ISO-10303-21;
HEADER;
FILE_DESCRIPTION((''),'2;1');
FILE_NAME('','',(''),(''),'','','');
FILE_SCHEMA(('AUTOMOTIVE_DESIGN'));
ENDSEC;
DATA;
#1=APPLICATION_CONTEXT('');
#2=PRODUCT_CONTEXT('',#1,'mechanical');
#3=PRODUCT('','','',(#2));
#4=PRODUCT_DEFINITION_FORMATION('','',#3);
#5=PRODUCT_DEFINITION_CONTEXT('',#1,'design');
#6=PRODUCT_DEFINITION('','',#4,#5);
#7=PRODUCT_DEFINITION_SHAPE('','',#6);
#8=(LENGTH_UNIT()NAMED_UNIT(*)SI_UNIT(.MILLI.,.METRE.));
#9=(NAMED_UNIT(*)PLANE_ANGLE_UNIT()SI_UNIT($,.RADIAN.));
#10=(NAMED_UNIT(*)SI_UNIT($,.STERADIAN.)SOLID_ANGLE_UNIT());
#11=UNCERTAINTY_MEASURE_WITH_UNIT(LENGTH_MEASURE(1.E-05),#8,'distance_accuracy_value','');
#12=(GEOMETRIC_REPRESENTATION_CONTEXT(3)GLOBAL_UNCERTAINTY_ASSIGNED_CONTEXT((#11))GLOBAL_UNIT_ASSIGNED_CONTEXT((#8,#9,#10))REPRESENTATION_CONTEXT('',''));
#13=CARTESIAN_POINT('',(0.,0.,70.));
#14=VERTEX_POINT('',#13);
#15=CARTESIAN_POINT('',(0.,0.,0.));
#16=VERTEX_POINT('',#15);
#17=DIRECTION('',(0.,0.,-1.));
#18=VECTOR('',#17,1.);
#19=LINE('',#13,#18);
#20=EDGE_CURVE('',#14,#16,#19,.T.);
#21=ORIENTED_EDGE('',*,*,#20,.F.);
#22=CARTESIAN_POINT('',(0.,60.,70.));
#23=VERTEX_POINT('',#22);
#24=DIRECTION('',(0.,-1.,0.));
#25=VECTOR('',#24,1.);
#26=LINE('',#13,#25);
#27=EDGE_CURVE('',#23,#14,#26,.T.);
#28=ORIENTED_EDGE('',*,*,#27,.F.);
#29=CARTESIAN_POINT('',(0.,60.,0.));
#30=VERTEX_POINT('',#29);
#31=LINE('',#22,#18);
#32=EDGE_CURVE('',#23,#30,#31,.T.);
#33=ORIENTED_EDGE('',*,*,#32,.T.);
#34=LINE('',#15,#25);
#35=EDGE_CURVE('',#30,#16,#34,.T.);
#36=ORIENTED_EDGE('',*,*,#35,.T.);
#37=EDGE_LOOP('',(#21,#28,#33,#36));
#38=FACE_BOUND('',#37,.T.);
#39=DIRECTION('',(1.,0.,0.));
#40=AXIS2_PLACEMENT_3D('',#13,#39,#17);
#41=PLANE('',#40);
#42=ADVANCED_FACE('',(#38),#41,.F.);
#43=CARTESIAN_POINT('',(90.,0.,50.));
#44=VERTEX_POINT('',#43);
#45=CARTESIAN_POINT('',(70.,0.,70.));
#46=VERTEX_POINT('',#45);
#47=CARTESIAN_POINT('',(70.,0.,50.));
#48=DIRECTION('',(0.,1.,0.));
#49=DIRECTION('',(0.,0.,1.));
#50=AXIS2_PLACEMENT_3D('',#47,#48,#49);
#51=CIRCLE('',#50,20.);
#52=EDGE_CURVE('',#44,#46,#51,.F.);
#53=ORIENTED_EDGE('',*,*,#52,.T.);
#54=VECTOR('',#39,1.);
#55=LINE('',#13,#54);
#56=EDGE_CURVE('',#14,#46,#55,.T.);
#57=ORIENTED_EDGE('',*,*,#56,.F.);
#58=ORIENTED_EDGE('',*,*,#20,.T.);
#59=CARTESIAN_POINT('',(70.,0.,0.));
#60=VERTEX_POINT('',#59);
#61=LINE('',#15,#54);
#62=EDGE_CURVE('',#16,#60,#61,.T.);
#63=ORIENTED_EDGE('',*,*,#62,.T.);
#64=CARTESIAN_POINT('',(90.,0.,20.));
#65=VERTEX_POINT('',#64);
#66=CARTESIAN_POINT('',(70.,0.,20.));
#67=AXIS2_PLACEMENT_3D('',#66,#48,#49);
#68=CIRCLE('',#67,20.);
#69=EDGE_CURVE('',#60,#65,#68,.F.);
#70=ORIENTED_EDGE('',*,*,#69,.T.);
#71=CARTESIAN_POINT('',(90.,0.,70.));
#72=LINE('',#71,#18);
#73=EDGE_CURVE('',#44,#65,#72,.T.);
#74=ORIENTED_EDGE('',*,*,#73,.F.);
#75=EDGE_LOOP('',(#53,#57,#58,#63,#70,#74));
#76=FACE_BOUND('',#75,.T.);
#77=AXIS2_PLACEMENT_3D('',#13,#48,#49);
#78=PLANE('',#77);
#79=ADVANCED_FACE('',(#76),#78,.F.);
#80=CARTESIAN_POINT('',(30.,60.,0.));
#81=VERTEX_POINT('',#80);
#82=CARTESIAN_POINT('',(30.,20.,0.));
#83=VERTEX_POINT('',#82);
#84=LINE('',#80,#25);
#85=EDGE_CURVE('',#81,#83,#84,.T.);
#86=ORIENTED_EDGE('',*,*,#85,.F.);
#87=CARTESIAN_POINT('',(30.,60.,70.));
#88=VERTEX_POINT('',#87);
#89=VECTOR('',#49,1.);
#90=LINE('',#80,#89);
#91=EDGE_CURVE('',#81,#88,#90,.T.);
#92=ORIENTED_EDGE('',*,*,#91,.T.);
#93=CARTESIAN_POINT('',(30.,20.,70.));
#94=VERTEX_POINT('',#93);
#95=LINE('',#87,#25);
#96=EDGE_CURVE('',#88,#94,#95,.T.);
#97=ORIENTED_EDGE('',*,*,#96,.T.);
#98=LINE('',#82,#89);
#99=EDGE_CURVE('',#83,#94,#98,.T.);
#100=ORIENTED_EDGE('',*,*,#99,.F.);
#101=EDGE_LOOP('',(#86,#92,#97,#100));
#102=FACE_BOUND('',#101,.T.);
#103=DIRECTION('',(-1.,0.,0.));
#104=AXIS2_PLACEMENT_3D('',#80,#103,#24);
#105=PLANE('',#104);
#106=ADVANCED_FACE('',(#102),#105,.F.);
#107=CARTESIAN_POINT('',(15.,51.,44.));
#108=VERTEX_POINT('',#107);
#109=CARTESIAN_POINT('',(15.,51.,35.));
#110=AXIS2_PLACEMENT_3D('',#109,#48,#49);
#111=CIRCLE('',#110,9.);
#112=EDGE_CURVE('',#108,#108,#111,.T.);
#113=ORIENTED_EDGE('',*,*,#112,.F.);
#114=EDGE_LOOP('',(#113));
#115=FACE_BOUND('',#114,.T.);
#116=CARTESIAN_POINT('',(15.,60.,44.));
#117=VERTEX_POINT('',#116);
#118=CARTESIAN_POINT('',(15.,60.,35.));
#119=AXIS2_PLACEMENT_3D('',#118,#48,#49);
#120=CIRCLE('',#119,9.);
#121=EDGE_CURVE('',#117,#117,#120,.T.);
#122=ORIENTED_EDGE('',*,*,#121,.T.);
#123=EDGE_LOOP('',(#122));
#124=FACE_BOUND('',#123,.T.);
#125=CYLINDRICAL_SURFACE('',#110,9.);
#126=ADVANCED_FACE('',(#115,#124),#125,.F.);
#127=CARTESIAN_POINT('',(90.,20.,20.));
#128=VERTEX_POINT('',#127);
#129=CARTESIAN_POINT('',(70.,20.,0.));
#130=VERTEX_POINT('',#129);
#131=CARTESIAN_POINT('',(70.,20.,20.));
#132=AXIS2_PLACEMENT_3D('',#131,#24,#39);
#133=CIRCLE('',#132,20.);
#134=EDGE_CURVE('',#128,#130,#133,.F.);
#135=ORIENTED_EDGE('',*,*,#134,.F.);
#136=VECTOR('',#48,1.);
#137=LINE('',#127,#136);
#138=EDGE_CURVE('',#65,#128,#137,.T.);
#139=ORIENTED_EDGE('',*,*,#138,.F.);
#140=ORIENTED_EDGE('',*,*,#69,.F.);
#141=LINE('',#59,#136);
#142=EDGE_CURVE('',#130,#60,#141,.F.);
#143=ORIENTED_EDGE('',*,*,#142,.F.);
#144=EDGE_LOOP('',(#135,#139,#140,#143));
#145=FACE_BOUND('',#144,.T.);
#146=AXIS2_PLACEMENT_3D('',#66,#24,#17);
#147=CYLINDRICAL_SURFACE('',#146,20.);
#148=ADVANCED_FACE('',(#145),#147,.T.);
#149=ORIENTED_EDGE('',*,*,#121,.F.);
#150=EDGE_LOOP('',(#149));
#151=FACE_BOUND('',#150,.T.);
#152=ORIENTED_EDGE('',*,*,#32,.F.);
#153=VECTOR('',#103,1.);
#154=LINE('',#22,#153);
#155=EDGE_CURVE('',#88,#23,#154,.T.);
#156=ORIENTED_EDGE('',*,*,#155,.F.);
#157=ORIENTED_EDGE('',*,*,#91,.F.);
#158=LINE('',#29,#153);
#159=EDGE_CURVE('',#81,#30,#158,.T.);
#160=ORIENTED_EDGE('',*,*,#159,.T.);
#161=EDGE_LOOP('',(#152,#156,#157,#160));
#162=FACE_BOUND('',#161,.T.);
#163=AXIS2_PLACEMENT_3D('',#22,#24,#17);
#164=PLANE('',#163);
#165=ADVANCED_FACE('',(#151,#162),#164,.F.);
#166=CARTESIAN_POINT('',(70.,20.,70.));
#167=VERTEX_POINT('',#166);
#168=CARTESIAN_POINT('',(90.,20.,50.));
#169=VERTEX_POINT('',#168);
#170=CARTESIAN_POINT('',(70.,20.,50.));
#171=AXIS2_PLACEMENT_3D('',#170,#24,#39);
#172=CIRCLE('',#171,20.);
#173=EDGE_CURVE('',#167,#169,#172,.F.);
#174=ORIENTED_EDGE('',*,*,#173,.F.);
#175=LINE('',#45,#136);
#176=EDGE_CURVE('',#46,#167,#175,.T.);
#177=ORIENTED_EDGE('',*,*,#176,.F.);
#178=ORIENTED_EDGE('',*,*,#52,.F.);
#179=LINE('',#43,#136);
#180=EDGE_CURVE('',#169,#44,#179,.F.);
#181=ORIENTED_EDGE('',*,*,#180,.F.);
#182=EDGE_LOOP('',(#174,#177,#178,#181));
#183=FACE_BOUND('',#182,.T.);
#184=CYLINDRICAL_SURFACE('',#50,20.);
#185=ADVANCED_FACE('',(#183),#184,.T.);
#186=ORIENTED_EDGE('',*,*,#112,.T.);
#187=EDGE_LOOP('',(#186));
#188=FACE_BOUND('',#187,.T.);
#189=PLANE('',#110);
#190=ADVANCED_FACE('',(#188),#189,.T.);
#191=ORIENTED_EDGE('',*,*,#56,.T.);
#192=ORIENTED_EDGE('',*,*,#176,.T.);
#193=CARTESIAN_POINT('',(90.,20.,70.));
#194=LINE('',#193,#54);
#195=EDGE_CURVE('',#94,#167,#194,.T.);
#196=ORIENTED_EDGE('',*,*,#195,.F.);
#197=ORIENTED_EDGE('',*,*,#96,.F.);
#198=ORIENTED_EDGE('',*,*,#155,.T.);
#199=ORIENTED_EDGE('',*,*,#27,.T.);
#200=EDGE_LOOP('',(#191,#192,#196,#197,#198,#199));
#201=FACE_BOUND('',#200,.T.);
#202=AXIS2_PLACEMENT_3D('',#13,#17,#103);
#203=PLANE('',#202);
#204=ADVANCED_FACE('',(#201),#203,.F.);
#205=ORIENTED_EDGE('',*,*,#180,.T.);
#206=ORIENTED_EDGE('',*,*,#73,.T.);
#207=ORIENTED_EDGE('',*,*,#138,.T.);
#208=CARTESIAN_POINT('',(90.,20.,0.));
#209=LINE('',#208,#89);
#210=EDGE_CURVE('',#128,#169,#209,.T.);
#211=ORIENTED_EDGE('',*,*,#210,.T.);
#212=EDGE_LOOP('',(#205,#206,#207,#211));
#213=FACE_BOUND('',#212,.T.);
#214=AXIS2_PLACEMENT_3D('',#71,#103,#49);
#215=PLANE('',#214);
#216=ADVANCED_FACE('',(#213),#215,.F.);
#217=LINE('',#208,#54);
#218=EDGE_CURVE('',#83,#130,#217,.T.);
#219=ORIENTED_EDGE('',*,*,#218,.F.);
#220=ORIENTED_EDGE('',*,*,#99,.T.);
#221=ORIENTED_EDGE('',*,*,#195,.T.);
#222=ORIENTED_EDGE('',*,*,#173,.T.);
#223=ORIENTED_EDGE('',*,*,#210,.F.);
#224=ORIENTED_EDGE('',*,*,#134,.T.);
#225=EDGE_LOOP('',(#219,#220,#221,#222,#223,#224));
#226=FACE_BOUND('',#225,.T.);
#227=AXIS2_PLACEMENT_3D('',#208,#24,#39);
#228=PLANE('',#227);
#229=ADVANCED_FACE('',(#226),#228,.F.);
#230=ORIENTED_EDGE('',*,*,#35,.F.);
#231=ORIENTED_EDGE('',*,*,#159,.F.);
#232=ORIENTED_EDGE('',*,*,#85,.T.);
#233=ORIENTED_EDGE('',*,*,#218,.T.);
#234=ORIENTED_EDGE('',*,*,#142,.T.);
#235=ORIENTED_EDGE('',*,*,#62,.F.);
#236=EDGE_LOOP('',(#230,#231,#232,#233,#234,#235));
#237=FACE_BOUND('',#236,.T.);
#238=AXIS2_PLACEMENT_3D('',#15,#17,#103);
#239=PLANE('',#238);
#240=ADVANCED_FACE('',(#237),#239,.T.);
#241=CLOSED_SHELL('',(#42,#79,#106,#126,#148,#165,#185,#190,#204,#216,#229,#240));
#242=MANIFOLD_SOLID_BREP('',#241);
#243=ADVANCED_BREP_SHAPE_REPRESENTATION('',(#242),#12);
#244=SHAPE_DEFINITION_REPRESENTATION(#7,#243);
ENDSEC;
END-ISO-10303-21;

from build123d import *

# Parameters (mm, degrees)
SKETCH_4_W          = 90
SKETCH_4_H          = 60
EXTRUDE_1_DEPTH     = 70
SKETCH_5_W          = 60
SKETCH_5_H          = 40
CUT_EXTRUDE_1_DEPTH = 70
SKETCH_6_R          = 9
CUT_EXTRUDE_2_DEPTH = 9
FILLET_1_R          = 20


with BuildPart() as part:
    # 스케치4 → 보스-돌출1 (new body)
    with BuildSketch(Plane.XY):
        with Locations((45, 30)):
            Rectangle(SKETCH_4_W, SKETCH_4_H)
    extrude(amount=EXTRUDE_1_DEPTH)

    # 스케치5 → 컷-돌출1 (cut)
    with BuildSketch(Plane.XY.offset(70)):
        with Locations((60, 40)):
            Rectangle(SKETCH_5_W, SKETCH_5_H)
    extrude(amount=-CUT_EXTRUDE_1_DEPTH, mode=Mode.SUBTRACT)

    # 스케치6 → 컷-돌출2 (cut)
    with BuildSketch(Plane(origin=(0, 60, 0), x_dir=(1, 0, 0), z_dir=(0, 1, 0))):
        with Locations((15, -35)):
            Circle(SKETCH_6_R)
    extrude(amount=-CUT_EXTRUDE_2_DEPTH, mode=Mode.SUBTRACT)

    # 필렛1
    fillet_1_edges = [part.edges().sort_by_distance(p)[0] for p in [
        (90, 10, 70),
        (90, 10, 0),
    ]]
    fillet(fillet_1_edges, radius=FILLET_1_R)


solid = part.part
